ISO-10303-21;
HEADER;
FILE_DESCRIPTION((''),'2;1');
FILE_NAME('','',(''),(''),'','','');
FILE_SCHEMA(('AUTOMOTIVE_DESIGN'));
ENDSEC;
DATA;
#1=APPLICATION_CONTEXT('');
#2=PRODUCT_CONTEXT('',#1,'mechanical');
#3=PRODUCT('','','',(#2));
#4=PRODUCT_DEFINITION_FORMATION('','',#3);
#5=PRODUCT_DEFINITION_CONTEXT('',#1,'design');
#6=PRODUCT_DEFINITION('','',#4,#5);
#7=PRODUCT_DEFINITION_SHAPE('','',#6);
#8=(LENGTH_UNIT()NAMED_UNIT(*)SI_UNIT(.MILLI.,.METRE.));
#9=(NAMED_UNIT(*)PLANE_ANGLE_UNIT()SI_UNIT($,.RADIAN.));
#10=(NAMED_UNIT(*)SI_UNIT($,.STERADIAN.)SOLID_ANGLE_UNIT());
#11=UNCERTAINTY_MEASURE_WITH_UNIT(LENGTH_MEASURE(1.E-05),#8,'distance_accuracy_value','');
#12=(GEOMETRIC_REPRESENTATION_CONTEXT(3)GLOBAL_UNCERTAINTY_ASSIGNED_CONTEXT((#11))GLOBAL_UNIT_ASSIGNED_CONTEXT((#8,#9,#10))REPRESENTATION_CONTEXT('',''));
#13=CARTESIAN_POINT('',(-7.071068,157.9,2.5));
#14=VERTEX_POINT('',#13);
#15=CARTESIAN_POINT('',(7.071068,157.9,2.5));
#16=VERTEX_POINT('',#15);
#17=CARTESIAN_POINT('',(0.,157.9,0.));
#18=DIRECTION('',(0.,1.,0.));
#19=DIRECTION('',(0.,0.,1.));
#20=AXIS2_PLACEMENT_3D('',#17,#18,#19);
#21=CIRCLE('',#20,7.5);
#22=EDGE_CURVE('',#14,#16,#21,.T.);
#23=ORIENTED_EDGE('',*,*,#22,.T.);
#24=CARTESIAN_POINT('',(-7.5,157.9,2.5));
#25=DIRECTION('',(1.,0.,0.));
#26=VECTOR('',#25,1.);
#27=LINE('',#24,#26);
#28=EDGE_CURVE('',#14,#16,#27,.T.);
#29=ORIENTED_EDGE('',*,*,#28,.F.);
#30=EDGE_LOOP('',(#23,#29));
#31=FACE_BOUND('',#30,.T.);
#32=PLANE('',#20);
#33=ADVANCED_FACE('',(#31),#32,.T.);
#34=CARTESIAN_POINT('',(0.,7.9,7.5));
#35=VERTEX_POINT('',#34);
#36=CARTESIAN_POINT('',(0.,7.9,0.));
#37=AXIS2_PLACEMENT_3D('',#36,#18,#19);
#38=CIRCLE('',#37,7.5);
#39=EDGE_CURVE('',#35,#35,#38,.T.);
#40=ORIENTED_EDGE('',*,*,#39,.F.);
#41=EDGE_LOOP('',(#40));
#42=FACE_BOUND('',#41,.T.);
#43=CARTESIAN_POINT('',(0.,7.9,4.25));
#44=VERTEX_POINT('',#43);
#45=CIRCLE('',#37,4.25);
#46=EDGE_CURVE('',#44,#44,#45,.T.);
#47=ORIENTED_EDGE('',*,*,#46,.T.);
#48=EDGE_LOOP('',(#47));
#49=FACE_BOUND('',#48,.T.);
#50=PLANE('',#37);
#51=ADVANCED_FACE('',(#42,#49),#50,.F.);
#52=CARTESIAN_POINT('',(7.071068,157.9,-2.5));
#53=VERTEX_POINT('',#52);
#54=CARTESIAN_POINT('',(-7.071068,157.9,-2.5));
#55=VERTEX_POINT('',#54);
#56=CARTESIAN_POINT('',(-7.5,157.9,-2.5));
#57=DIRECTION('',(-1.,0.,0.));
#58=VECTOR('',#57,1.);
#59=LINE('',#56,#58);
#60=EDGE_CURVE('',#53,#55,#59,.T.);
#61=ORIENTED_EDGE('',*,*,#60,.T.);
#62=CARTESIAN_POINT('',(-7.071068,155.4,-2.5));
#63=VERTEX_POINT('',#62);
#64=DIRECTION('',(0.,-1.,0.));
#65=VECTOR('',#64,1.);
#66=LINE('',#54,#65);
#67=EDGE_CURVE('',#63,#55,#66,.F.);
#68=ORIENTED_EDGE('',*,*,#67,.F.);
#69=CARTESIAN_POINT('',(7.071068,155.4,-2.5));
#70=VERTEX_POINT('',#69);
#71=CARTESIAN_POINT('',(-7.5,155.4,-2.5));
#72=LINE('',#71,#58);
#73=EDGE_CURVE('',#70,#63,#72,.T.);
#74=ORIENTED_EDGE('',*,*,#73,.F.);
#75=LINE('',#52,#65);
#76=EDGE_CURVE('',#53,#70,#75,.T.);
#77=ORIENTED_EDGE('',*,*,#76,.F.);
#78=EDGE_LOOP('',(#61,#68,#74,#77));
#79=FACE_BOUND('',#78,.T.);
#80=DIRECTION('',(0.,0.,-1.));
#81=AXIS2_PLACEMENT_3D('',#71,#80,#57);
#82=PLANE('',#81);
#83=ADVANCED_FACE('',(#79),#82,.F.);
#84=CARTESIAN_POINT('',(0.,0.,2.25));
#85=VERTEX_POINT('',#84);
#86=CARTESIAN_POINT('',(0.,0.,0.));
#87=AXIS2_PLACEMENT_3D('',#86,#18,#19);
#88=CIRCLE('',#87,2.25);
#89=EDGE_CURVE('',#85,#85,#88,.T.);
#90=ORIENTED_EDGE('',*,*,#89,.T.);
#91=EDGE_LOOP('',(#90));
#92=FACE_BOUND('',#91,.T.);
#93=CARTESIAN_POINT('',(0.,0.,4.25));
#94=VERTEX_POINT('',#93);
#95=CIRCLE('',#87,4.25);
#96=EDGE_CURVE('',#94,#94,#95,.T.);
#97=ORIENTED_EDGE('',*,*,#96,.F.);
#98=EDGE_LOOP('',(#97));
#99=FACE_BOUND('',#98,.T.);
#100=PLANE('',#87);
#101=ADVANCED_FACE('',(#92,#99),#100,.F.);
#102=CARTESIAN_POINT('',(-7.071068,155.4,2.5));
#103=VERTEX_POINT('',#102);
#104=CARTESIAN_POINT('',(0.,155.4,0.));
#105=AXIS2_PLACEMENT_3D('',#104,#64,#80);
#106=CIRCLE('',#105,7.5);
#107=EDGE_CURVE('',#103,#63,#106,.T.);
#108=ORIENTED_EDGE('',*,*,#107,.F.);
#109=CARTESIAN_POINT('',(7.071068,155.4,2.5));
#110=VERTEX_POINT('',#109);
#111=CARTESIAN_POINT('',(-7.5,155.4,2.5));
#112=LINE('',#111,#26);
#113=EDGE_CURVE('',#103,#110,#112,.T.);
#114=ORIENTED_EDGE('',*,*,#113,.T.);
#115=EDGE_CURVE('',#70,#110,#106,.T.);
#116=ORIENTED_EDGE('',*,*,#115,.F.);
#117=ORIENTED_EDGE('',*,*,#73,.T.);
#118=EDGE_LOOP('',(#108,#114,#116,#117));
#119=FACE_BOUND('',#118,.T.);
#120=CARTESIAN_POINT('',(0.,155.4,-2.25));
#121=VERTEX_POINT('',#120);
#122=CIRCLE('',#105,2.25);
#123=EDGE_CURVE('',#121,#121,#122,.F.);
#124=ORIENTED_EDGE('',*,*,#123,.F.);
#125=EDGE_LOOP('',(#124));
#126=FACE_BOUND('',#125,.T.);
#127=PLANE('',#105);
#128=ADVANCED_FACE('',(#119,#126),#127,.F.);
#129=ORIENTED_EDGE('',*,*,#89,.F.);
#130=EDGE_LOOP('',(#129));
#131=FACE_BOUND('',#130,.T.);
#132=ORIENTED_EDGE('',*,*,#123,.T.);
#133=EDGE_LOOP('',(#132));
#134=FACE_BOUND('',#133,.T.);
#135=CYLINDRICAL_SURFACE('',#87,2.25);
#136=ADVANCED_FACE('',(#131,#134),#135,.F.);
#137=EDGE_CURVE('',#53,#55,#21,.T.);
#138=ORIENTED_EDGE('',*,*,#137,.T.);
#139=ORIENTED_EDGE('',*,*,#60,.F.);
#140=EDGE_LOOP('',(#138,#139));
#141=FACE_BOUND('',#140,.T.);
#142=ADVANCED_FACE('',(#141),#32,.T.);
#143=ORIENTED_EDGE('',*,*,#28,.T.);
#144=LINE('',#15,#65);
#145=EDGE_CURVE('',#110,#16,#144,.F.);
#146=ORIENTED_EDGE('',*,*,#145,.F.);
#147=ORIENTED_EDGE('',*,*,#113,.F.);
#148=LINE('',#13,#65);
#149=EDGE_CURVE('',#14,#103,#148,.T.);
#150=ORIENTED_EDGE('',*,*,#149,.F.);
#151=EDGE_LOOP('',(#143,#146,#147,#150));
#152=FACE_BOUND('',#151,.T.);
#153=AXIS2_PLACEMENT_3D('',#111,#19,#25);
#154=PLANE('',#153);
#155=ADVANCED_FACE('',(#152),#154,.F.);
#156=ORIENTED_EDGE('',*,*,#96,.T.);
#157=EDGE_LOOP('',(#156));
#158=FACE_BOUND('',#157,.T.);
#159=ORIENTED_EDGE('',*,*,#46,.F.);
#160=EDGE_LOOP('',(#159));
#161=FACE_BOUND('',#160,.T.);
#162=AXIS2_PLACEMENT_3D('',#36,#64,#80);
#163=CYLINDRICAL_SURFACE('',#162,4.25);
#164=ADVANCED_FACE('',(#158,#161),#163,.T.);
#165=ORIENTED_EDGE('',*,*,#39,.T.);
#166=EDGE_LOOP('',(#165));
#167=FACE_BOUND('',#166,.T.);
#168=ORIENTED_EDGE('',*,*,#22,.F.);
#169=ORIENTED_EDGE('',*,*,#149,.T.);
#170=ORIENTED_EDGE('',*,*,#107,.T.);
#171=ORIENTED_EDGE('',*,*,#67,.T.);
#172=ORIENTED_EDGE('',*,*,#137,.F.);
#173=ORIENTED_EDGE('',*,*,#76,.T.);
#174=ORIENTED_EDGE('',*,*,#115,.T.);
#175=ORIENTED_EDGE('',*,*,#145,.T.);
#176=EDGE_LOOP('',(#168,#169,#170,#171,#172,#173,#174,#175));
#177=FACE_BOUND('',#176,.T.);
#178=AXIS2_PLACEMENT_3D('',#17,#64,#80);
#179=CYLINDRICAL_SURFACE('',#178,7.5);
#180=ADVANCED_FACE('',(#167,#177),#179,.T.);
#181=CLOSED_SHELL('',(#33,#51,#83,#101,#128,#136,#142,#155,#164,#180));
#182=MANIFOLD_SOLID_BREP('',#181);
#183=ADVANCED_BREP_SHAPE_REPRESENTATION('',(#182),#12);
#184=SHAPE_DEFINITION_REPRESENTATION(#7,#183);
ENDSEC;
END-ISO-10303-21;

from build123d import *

# Parameters (mm, degrees)
SKETCH1_R           = 4.25
BOSS_EXTRUDE1_DEPTH = 7.9
SKETCH2_R           = 7.5
BOSS_EXTRUDE2_DEPTH = 150
SKETCH3_R           = 2.25
CUT_EXTRUDE1_DEPTH  = 159.255837175
SKETCH4_W           = 15
SKETCH4_H           = 5
CUT_EXTRUDE2_DEPTH  = 2.5


with BuildPart() as part:
    # Sketch1 → Boss-Extrude1 (new body)
    with BuildSketch(Plane(origin=(0, 0, 0), x_dir=(1, 0, 0), z_dir=(0, 1, 0))):
        with Locations(Location((0, 0, 0), (0, 0, 270))):
            Circle(SKETCH1_R)
    extrude(amount=BOSS_EXTRUDE1_DEPTH)

    # Sketch2 → Boss-Extrude2 (add)
    with BuildSketch(Plane(origin=(0, 7.9, 0), x_dir=(1, 0, 0), z_dir=(0, 1, 0))):
        with Locations(Location((0, 0, 0), (0, 0, 270))):
            Circle(SKETCH2_R)
    extrude(amount=BOSS_EXTRUDE2_DEPTH)

    # Sketch3 → Cut-Extrude1 (cut, through all)
    with BuildSketch(Plane(origin=(0, 157.9, 0), x_dir=(1, 0, 0), z_dir=(0, 1, 0))):
        with Locations(Location((0, 0, 0), (0, 0, 270))):
            Circle(SKETCH3_R)
    extrude(amount=-CUT_EXTRUDE1_DEPTH, mode=Mode.SUBTRACT)

    # Sketch4 → Cut-Extrude2 (cut)
    with BuildSketch(Plane(origin=(0, 157.9, 0), x_dir=(1, 0, 0), z_dir=(0, 1, 0))):
        Rectangle(SKETCH4_W, SKETCH4_H)
    extrude(amount=-CUT_EXTRUDE2_DEPTH, mode=Mode.SUBTRACT)


solid = part.part
